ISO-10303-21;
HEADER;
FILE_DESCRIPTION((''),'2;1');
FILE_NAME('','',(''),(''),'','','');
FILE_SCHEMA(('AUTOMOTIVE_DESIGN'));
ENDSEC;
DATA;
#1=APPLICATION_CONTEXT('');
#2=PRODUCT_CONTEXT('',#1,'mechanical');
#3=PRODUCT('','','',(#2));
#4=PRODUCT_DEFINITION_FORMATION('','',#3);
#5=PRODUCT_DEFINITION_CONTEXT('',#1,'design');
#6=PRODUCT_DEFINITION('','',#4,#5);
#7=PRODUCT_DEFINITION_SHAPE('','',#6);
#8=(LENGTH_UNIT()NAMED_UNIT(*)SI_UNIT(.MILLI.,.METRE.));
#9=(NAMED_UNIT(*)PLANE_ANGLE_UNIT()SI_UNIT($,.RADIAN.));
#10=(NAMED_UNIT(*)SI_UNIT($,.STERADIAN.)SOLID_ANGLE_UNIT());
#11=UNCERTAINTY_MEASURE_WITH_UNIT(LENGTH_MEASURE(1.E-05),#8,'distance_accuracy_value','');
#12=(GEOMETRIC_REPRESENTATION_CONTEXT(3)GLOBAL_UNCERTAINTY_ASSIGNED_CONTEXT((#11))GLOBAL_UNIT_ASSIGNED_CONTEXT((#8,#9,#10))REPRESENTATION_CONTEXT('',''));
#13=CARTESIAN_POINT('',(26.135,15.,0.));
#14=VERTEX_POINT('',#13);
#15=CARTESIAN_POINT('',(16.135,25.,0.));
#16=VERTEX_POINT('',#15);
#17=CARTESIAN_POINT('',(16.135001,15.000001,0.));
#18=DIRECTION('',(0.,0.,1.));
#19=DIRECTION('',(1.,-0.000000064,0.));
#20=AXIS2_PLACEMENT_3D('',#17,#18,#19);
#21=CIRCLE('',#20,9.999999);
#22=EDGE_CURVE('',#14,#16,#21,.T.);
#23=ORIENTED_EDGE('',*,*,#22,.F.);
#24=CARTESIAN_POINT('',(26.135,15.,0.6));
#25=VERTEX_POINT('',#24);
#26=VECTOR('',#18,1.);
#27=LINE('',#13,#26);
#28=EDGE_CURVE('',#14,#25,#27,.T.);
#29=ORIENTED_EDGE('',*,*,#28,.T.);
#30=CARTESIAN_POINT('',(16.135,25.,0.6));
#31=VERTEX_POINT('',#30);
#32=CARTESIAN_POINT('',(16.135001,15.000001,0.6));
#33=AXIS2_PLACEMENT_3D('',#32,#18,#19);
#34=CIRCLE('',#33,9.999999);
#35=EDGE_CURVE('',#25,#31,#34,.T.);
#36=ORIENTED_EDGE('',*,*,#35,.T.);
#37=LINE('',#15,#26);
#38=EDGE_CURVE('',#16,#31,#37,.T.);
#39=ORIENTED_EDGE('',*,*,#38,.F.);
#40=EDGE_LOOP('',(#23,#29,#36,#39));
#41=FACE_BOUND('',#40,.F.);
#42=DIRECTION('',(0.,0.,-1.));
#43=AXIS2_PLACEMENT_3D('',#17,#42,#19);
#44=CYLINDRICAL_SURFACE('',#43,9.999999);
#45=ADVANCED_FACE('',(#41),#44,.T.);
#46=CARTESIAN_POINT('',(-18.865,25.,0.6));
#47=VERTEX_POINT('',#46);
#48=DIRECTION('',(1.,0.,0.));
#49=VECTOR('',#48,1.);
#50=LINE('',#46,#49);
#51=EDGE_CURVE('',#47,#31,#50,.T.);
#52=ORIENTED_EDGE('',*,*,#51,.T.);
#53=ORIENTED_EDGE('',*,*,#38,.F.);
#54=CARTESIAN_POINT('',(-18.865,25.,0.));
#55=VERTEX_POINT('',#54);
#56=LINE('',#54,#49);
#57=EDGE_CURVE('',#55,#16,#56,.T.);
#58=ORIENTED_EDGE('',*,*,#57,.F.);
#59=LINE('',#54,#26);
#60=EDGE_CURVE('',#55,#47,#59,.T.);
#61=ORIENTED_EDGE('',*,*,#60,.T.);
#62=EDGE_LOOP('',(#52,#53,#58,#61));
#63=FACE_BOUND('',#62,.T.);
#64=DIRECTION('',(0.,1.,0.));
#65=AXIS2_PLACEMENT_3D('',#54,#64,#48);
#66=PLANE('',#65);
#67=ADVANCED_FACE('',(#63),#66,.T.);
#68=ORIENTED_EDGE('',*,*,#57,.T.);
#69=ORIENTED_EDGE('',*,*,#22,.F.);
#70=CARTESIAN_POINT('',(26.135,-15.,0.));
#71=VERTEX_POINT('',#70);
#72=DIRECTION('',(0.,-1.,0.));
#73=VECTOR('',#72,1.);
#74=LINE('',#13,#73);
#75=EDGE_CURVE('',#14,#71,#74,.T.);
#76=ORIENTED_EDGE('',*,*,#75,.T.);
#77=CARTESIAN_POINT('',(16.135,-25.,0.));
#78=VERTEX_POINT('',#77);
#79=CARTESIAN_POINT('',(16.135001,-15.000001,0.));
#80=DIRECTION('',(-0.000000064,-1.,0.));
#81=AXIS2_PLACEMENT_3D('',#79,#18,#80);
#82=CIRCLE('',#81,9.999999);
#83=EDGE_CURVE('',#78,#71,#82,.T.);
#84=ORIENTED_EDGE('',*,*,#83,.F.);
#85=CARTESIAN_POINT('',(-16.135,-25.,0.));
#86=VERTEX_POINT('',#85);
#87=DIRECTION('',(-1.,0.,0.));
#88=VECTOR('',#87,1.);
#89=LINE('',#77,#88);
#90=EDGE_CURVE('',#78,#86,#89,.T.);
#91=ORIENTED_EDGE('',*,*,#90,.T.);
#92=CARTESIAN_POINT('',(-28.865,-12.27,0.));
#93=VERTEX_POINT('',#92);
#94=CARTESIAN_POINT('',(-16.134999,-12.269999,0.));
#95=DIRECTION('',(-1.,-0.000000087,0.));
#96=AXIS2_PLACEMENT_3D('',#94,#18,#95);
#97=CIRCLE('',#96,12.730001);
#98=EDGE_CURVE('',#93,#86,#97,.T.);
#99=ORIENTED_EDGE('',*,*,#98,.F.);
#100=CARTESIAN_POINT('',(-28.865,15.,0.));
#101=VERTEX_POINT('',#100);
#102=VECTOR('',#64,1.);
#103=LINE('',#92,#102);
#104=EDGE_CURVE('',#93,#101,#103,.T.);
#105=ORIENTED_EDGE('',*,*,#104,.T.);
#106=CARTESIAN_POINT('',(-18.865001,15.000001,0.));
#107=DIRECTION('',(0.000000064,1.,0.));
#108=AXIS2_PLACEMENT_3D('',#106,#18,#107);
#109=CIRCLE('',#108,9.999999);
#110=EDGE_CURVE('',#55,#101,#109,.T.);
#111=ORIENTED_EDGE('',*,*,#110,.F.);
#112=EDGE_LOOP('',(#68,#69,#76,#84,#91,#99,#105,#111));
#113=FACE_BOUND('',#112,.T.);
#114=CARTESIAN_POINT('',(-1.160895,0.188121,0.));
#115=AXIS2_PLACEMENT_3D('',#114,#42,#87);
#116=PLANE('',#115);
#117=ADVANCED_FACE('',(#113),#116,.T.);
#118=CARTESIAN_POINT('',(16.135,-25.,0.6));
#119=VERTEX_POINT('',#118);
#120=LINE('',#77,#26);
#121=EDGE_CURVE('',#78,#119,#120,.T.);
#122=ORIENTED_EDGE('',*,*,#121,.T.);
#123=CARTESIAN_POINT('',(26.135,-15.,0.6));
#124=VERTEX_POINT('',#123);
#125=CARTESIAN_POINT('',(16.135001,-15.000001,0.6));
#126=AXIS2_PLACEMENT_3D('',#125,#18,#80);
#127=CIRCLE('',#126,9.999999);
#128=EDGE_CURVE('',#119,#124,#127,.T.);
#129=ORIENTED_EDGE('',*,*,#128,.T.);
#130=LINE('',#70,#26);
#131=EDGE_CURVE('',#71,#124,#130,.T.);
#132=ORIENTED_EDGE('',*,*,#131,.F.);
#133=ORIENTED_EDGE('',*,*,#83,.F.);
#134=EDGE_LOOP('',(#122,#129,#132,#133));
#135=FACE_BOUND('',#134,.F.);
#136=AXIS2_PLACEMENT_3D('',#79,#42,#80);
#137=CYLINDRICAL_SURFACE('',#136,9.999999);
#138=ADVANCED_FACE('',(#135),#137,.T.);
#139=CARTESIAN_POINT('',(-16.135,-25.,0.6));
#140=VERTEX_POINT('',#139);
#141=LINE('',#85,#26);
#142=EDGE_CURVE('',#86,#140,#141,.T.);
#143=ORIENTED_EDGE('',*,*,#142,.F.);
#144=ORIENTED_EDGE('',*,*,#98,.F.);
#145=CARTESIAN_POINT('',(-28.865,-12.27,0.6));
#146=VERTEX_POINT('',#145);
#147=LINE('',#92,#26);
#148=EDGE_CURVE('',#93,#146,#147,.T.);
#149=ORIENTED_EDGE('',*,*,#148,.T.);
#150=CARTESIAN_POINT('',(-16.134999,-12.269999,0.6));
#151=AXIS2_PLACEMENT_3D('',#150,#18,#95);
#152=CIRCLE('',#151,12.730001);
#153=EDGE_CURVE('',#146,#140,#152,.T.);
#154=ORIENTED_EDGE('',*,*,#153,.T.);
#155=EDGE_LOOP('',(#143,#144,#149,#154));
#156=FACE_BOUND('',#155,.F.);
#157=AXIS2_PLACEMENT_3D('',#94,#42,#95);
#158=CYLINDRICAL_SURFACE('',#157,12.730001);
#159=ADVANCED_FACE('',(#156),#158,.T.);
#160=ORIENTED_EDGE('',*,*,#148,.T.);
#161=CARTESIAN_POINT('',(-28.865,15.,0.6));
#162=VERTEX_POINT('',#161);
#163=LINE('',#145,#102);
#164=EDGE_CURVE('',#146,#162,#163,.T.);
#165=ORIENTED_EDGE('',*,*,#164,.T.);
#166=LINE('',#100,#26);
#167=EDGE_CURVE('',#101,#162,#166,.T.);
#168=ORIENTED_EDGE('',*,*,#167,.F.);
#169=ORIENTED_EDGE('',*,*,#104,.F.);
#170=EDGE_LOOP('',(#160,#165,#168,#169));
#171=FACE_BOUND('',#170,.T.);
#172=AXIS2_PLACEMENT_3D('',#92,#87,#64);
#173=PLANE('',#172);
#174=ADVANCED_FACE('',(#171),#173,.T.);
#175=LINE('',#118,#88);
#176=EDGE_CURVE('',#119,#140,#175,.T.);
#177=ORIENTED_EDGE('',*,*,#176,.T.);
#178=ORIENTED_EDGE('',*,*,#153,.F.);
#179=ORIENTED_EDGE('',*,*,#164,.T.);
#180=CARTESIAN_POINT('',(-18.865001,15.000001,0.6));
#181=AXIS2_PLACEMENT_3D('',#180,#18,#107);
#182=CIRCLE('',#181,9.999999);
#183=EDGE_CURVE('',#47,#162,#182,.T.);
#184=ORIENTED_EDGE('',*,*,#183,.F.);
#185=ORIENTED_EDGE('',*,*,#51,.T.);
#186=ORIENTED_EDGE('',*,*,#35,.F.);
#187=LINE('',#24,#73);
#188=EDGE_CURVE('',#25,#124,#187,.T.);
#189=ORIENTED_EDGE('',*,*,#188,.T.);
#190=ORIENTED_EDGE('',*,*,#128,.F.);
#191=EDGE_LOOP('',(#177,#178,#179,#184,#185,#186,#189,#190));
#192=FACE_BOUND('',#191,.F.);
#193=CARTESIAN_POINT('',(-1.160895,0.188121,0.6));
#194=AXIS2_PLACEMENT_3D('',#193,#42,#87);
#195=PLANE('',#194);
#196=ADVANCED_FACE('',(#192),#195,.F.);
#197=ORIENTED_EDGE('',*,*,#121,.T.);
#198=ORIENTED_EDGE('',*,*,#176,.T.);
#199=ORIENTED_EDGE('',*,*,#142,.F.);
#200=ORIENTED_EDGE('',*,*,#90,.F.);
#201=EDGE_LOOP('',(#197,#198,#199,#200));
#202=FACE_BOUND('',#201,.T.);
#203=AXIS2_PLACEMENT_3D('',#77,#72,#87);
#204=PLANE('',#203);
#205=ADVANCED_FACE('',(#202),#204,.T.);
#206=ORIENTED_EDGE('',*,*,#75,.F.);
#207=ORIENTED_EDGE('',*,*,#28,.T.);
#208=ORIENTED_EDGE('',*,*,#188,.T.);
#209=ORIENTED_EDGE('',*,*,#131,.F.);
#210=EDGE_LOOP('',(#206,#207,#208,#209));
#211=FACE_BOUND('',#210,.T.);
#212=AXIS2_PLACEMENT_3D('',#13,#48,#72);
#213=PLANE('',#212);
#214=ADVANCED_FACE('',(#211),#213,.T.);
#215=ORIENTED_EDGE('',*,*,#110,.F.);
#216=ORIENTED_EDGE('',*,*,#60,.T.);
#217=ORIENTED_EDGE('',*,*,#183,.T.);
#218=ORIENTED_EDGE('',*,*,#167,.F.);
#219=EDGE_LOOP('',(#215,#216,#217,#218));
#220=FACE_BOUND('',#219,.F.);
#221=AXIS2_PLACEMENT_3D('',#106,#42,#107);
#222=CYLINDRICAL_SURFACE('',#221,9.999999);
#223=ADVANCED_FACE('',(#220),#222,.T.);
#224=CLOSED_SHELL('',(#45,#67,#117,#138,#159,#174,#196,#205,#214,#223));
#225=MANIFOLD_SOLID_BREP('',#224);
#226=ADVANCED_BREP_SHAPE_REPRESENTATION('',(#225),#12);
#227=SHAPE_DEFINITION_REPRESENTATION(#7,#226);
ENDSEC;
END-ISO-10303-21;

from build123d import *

# Parameters (mm, degrees)
PAD_DEPTH = 0.6


with BuildPart() as part:
    # Sketch → Pad (new body)
    with BuildSketch(Plane.XY):
        with BuildLine():
            Line((-18.865, 25), (16.135, 25))
            ThreePointArc((26.135, 15), (23.206068, 22.071068), (16.135, 25))
            Line((26.135, 15), (26.135, -15))
            ThreePointArc((16.135, -25), (23.206068, -22.071068), (26.135, -15))
            Line((16.135, -25), (-16.135, -25))
            ThreePointArc((-28.865, -12.27), (-25.136469, -21.271469), (-16.135, -25))
            Line((-28.865, -12.27), (-28.865, 15))
            ThreePointArc((-18.865, 25), (-25.936068, 22.071068), (-28.865, 15))
        make_face()
    extrude(amount=PAD_DEPTH)


solid = part.part
